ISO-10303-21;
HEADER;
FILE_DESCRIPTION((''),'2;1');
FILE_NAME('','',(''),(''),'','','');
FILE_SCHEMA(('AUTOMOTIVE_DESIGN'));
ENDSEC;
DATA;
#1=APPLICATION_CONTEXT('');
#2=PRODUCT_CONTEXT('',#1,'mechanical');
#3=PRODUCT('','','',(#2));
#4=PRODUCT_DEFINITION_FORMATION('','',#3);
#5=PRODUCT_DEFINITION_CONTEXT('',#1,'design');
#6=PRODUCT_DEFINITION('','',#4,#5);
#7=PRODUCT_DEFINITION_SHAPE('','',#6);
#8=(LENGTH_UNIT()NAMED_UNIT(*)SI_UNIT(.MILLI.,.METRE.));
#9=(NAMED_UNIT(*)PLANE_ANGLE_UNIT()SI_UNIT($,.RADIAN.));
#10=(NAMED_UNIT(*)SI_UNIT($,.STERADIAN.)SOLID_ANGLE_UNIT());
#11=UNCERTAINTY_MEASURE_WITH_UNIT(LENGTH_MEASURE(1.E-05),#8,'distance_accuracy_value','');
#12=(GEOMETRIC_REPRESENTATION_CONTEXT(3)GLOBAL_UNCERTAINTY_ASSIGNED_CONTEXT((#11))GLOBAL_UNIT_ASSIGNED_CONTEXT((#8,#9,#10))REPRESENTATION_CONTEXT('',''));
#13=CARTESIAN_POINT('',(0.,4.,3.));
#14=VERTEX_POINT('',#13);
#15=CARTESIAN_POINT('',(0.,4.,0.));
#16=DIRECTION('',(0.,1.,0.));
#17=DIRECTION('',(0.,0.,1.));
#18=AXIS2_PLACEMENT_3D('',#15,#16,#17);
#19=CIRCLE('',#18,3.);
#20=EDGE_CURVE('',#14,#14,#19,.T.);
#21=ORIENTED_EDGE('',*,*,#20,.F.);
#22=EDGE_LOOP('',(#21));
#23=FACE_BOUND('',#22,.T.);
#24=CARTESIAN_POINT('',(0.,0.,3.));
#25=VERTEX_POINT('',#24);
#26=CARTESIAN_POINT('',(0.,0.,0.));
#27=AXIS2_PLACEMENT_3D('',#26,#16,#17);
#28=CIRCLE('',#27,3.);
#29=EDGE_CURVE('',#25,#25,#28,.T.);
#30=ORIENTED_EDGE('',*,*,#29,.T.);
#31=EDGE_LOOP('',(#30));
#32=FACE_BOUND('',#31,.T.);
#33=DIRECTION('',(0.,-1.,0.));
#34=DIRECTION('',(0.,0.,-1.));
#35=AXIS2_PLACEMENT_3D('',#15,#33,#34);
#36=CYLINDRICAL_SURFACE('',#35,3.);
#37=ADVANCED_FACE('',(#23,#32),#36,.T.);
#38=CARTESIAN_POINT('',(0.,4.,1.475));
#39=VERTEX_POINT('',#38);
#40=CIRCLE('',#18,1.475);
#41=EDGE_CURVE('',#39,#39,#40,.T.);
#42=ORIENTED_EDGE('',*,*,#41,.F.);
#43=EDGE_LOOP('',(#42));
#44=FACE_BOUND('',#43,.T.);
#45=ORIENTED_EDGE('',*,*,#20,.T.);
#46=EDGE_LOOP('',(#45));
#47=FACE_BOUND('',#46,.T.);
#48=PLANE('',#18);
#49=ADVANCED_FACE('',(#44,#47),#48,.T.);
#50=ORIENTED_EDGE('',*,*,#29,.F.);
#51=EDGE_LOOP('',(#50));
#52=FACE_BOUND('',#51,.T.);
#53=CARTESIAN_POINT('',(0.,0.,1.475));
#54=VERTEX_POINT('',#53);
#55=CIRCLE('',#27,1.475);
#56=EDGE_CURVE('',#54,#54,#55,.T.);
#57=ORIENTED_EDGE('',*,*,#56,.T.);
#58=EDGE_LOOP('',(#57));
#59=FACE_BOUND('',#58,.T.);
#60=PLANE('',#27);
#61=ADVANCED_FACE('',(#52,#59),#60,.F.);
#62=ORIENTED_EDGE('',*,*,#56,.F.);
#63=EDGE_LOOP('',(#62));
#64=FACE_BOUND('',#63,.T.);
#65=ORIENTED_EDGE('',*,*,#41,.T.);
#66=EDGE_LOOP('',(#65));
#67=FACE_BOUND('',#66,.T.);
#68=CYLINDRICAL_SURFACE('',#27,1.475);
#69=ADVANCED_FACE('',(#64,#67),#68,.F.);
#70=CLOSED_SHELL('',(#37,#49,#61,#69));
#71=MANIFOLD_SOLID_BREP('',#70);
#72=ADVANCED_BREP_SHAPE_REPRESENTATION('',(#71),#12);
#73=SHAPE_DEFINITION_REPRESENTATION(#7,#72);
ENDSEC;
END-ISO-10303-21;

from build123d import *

# Parameters (mm, degrees)
SKETCH1_R           = 3
BOSS_EXTRUDE1_DEPTH = 4
SKETCH2_R           = 1.475
CUT_EXTRUDE1_DEPTH  = 6.830951895


with BuildPart() as part:
    # Sketch1 → Boss-Extrude1 (new body)
    with BuildSketch(Plane(origin=(0, 0, 0), x_dir=(1, 0, 0), z_dir=(0, 1, 0))):
        with Locations(Location((0, 0, 0), (0, 0, 270))):
            Circle(SKETCH1_R)
    extrude(amount=BOSS_EXTRUDE1_DEPTH)

    # Sketch2 → Cut-Extrude1 (cut, through all)
    with BuildSketch(Plane(origin=(0, 4, 0), x_dir=(1, 0, 0), z_dir=(0, 1, 0))):
        with Locations(Location((0, 0, 0), (0, 0, 270))):
            Circle(SKETCH2_R)
    extrude(amount=-CUT_EXTRUDE1_DEPTH, mode=Mode.SUBTRACT)


solid = part.part
